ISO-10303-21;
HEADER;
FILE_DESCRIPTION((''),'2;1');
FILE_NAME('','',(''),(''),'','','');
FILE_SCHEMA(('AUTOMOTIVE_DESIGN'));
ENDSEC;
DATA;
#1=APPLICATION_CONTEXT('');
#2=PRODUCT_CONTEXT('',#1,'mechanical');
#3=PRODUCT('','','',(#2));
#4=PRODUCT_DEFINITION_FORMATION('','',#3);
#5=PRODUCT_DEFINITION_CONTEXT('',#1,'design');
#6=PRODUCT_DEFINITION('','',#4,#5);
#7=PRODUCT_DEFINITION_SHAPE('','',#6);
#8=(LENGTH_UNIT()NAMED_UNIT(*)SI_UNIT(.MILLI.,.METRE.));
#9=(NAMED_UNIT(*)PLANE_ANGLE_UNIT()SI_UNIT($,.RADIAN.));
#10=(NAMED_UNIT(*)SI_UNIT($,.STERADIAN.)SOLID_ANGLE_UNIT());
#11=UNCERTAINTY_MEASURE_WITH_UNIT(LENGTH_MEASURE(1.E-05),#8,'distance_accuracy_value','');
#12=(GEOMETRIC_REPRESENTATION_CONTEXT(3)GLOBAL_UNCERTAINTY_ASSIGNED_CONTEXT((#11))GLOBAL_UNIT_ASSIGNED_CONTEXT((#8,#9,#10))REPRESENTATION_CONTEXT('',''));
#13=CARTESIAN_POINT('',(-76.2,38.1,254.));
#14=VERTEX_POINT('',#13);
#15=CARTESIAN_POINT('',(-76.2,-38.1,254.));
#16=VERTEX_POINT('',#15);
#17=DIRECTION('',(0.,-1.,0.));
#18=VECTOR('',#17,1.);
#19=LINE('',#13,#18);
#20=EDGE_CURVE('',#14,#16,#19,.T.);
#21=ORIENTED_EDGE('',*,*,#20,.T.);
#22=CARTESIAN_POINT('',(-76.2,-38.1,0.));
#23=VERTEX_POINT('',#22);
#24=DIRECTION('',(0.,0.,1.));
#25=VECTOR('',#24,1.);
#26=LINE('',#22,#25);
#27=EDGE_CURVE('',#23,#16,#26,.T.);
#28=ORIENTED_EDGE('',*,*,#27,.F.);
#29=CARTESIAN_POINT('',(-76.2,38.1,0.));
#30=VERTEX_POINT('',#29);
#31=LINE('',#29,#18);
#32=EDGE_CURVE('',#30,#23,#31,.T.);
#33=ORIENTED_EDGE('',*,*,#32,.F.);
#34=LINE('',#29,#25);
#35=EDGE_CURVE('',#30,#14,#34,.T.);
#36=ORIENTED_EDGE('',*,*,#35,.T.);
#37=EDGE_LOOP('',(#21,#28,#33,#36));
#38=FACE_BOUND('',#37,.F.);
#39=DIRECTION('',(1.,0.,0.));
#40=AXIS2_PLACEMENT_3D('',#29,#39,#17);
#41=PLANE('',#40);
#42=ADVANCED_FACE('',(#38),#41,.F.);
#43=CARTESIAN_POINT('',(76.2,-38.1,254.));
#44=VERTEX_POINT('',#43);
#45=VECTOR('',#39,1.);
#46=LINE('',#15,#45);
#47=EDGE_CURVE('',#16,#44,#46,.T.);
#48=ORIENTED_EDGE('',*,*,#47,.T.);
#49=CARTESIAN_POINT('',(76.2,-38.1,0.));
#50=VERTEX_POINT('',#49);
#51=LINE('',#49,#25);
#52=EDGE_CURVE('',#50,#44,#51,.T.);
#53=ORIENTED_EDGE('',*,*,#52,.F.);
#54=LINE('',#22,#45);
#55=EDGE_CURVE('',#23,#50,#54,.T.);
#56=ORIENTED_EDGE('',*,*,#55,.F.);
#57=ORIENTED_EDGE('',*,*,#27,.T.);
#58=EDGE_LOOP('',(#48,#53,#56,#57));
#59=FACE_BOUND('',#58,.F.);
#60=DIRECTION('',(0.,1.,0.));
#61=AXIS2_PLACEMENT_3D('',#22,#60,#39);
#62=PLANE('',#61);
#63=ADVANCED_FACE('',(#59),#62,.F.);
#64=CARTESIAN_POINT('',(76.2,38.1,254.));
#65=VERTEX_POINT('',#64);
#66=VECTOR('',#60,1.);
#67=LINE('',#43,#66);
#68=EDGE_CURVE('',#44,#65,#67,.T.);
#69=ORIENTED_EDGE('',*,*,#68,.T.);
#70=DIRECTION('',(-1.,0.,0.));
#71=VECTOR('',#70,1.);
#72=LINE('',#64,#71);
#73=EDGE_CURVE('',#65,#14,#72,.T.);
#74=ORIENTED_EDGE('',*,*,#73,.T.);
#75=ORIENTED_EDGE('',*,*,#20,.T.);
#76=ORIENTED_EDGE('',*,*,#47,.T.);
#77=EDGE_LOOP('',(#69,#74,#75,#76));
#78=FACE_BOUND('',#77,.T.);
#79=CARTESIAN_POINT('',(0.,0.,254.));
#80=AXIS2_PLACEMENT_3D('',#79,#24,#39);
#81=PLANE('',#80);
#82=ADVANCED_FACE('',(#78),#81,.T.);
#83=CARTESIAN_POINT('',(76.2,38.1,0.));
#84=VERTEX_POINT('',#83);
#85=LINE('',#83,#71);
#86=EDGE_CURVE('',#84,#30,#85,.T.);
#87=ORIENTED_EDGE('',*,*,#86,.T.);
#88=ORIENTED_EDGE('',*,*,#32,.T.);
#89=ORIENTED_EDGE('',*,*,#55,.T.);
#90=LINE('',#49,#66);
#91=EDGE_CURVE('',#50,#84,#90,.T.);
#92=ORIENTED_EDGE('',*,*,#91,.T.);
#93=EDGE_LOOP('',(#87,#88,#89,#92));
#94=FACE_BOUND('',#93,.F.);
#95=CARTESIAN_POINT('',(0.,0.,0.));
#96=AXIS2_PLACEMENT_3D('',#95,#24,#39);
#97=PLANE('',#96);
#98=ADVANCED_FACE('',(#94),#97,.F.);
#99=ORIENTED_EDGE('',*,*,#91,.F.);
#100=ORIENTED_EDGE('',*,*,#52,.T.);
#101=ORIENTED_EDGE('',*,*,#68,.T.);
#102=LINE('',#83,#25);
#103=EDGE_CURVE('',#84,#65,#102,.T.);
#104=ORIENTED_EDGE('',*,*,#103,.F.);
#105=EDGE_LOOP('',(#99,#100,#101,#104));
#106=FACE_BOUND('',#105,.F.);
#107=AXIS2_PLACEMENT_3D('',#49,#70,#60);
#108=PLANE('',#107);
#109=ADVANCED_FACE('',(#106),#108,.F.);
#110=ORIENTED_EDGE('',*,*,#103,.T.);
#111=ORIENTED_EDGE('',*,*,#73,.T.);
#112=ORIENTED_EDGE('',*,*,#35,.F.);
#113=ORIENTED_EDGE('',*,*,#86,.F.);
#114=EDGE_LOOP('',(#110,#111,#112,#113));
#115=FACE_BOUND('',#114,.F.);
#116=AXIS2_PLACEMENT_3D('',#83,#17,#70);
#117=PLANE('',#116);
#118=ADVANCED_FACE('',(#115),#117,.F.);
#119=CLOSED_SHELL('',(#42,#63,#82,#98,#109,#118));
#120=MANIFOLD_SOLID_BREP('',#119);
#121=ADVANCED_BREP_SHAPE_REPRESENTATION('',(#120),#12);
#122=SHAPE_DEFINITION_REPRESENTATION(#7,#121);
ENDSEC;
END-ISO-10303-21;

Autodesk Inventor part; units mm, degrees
ref_plane "YZ Plane" through (0, 0, 0) normal (1, 0, 0) x (0, 1, 0)
ref_plane "XZ Plane" through (0, 0, 0) normal (0, 1, 0) x (-1, 0, 0)
ref_plane "XY Plane" through (0, 0, 0) normal (0, 0, 1) x (1, 0, 0)
sketch "Sketch1" plane through (0, 0, 0) normal (0, 0, 1) x (1, 0, 0)
  line L0 (-76.2, -38.1) -> (76.2, -38.1)
  line L1 (76.2, -38.1) -> (76.2, 38.1)
  line L2 (76.2, 38.1) -> (-76.2, 38.1)
  line L3 (-76.2, 38.1) -> (-76.2, -38.1)
  line L4 (-76.2, -38.1) -> (76.2, 38.1) construction
  line L5 (76.2, -38.1) -> (-76.2, 38.1) construction
  point P0 (0, 0)
  dimension "d0" = 152.4
  dimension "d1" = 76.2
extrude "Extrusion1" add sketch "Sketch1" along normal blind 254
properties part number "SensorSuite"
